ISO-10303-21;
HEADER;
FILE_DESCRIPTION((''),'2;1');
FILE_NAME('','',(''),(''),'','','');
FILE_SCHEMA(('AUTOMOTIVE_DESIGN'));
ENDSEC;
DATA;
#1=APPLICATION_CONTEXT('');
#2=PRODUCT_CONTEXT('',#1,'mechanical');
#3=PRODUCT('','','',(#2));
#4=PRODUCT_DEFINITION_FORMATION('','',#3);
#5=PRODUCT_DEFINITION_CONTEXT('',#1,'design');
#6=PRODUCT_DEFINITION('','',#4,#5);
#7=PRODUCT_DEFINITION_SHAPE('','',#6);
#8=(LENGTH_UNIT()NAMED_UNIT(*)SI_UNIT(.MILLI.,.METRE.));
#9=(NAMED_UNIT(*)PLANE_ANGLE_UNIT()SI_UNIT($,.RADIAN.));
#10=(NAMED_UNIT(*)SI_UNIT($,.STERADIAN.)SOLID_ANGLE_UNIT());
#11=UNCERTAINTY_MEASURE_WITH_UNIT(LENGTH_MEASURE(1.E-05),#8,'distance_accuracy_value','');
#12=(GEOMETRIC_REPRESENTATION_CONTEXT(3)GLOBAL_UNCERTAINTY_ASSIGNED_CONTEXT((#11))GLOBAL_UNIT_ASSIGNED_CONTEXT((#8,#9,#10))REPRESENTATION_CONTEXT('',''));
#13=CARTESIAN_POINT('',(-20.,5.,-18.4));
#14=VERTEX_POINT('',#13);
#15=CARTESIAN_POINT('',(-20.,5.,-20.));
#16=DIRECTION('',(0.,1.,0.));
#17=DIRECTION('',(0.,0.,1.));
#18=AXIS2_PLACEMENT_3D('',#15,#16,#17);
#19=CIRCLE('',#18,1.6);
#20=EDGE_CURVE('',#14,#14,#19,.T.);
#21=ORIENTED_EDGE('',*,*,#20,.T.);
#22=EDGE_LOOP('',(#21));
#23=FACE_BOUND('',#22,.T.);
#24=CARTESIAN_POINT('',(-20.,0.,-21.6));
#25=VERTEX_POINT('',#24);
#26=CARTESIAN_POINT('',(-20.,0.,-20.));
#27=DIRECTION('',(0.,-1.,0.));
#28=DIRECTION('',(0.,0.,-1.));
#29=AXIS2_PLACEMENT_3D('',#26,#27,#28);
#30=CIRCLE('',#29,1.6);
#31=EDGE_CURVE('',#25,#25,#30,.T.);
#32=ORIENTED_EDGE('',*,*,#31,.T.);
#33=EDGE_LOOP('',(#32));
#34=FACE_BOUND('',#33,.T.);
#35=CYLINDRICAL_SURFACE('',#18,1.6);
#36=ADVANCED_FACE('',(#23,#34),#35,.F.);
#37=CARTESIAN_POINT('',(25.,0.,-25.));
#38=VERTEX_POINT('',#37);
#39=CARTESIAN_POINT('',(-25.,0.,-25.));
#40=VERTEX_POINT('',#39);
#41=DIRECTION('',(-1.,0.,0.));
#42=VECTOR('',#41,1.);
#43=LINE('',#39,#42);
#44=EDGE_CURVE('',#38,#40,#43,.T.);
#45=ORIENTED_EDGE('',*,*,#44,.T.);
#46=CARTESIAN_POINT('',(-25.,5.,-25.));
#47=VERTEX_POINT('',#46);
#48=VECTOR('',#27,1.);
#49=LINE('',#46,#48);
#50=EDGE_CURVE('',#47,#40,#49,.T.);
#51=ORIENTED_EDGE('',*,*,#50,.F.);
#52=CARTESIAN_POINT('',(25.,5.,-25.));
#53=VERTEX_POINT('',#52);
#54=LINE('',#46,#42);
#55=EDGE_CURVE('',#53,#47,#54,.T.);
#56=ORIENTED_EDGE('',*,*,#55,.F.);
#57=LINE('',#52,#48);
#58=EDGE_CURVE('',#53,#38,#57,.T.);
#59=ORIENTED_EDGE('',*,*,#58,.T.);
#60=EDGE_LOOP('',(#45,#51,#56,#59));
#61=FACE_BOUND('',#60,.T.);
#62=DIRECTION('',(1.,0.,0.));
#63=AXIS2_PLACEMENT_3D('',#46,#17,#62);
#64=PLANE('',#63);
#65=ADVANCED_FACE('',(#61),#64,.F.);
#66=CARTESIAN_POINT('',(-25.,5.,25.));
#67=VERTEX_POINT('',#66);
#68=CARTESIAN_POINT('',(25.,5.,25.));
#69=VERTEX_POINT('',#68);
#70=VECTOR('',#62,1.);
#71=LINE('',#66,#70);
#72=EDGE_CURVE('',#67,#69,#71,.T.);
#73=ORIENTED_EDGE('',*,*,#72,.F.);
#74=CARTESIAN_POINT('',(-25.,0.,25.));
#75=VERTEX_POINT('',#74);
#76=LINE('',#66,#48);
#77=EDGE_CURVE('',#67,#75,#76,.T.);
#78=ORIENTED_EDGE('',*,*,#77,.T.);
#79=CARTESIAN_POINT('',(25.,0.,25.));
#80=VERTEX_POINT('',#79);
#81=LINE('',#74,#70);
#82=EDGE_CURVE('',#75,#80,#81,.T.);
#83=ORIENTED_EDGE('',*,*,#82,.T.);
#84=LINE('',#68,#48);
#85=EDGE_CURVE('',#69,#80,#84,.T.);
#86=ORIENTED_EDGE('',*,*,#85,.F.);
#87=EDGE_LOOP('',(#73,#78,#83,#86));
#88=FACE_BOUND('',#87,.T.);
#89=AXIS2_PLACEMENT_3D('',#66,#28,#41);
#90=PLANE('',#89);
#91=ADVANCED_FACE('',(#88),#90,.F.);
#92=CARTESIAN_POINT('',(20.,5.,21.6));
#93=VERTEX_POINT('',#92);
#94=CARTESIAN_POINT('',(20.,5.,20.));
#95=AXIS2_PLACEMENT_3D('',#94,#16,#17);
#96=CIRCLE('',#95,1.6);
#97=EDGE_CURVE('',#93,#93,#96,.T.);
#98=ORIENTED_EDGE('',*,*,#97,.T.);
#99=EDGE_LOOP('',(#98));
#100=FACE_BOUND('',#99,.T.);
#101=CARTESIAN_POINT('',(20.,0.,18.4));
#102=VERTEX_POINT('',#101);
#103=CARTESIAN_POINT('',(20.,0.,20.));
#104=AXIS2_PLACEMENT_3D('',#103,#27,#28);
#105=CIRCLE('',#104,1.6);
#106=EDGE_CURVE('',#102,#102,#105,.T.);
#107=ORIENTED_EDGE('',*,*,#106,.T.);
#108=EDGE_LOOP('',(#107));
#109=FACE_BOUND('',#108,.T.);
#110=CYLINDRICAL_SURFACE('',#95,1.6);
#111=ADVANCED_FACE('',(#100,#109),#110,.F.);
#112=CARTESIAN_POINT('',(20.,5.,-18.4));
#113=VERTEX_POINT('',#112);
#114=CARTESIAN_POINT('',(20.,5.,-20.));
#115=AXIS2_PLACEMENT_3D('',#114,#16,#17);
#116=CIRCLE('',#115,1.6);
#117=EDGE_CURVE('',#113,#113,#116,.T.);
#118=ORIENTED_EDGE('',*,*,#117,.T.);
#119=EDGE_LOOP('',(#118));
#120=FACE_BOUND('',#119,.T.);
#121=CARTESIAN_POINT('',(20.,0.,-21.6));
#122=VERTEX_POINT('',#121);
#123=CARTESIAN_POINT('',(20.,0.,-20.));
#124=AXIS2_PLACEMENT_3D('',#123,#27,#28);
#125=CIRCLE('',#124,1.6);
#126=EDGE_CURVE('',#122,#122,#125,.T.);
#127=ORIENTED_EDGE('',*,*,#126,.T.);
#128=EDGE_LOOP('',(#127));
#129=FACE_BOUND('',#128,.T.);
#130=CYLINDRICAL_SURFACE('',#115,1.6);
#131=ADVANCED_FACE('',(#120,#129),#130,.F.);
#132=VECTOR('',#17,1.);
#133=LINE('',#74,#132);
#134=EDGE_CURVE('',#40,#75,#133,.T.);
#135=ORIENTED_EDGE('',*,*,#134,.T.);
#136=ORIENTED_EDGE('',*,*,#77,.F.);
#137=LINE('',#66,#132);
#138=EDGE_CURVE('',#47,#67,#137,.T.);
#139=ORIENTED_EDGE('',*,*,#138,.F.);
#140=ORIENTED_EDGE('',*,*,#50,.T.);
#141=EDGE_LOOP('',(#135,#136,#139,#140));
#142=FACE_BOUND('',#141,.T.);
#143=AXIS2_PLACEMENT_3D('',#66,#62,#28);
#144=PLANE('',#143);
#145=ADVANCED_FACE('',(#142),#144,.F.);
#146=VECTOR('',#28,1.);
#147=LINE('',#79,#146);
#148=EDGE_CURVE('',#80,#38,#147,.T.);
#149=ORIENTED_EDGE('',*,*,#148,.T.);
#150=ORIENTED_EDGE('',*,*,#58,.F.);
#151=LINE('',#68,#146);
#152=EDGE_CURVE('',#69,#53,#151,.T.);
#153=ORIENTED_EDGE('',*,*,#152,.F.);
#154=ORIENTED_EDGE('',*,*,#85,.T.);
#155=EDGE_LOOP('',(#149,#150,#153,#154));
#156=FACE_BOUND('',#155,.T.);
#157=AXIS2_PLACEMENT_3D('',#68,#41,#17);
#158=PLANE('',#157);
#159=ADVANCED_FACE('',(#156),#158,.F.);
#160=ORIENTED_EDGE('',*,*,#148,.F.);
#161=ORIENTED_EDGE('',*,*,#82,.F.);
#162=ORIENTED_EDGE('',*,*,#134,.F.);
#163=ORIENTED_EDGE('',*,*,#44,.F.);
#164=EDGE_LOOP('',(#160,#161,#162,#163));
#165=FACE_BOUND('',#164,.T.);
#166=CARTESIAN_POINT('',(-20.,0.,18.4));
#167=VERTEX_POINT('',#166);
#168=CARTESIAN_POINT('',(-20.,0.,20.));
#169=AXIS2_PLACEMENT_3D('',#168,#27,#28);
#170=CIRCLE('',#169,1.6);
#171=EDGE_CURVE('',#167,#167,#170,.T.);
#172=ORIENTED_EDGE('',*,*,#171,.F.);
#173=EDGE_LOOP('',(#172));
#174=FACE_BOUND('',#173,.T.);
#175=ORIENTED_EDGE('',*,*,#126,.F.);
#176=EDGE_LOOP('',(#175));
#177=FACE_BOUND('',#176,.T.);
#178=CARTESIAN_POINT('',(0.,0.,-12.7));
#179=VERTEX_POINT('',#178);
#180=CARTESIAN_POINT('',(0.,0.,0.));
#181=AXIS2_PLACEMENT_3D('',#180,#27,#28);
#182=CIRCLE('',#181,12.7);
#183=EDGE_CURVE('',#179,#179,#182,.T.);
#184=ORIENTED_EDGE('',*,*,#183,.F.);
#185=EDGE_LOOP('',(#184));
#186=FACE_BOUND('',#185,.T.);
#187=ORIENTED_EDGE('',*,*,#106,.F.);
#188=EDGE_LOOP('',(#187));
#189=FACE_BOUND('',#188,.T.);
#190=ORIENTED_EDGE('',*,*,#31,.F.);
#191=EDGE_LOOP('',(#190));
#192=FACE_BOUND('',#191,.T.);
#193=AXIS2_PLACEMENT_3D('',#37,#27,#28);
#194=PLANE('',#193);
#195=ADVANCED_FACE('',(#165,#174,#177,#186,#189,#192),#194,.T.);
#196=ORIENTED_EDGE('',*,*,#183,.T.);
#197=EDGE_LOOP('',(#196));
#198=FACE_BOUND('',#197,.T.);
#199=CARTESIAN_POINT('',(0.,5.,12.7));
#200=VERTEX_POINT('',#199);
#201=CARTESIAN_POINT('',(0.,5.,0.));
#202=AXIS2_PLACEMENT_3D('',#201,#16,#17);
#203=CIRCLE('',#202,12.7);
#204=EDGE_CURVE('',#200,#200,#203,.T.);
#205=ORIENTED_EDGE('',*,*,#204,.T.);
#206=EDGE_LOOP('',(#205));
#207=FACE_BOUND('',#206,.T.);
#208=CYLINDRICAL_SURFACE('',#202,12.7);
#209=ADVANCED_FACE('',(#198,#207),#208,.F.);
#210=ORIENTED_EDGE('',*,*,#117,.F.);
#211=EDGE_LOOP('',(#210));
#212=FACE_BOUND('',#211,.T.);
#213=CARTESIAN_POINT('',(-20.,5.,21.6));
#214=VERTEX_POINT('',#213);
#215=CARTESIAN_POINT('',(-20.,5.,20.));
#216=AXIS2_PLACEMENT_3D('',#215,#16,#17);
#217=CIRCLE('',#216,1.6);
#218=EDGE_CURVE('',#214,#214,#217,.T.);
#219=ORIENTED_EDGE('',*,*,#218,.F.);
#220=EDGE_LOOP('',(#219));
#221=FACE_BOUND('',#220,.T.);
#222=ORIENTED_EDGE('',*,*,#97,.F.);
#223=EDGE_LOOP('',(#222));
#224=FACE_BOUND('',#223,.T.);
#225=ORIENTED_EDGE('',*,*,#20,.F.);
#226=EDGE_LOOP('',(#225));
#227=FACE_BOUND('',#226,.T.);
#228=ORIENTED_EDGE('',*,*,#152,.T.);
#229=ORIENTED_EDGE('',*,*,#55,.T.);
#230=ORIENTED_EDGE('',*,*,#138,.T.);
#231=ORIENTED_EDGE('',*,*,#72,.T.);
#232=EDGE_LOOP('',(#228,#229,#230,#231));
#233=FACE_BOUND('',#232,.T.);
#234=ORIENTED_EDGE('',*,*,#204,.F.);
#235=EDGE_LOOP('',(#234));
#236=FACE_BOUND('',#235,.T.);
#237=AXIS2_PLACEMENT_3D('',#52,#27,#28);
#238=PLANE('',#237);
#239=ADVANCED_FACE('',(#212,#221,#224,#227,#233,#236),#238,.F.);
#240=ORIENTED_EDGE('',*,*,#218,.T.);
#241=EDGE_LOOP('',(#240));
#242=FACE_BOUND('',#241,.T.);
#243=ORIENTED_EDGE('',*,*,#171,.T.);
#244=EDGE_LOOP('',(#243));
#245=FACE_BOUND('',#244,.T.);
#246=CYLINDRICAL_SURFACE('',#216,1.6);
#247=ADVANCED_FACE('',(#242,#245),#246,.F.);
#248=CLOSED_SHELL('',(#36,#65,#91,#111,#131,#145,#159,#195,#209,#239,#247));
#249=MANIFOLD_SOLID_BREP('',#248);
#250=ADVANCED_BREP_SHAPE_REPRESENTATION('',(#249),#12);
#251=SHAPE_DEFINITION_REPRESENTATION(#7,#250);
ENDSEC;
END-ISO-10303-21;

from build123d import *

# Parameters (mm, degrees)
SKETCH1_W                  = 50
SKETCH1_H                  = 50
EXTRUDE1_DEPTH             = 5
LPATTERN1_COUNT            = 2
LPATTERN1_PITCH            = 40
LPATTERN1_COUNT_DIR2       = 2
LPATTERN1_PITCH_DIR2       = 40
F_1_1_DIAMETER_HOLE1_D     = 25.4
F_1_1_DIAMETER_HOLE1_DEPTH = 6
F_1_1_DIAMETER_HOLE1_TIP   = 7.630929862


with BuildPart() as part:
    # Sketch1 → Extrude1 (new body)
    with BuildSketch(Plane(origin=(0, 0, 0), x_dir=(1, 0, 0), z_dir=(0, 1, 0))):
        Rectangle(SKETCH1_W, SKETCH1_H)
    extrude(amount=EXTRUDE1_DEPTH)

    # Sketch2 → M3 Clearance Hole1 (revolve, cut)
    with BuildSketch(Plane(origin=(-20, 5, 20), x_dir=(0, 0, 1), z_dir=(1, 0, 0))):
        Polygon((0, 0), (0, 6.96137699), (1.6, 6), (1.6, 0), align=None)
    m3_clearance_hole1 = revolve(axis=Axis((-20, 11.35, 20), (0, -1, 0)), mode=Mode.SUBTRACT)

    # LPattern1: M3 Clearance Hole1 2 × 2
    with Locations(*[(j * LPATTERN1_PITCH_DIR2, 0, -i * LPATTERN1_PITCH) for i in range(LPATTERN1_COUNT) for j in range(LPATTERN1_COUNT_DIR2) if (i, j) != (0, 0)]):
        add(m3_clearance_hole1, mode=Mode.SUBTRACT)

    # 1 (1) Diameter Hole1
    with Locations(Plane.ZX.offset(5)):
        with Locations((0, 0)):
            Hole(F_1_1_DIAMETER_HOLE1_D / 2, depth=F_1_1_DIAMETER_HOLE1_DEPTH)
            with Locations((0, 0, -(F_1_1_DIAMETER_HOLE1_DEPTH + F_1_1_DIAMETER_HOLE1_TIP / 2))):  # 118° drill point
                Cone(0, F_1_1_DIAMETER_HOLE1_D / 2, F_1_1_DIAMETER_HOLE1_TIP, mode=Mode.SUBTRACT)


solid = part.part
